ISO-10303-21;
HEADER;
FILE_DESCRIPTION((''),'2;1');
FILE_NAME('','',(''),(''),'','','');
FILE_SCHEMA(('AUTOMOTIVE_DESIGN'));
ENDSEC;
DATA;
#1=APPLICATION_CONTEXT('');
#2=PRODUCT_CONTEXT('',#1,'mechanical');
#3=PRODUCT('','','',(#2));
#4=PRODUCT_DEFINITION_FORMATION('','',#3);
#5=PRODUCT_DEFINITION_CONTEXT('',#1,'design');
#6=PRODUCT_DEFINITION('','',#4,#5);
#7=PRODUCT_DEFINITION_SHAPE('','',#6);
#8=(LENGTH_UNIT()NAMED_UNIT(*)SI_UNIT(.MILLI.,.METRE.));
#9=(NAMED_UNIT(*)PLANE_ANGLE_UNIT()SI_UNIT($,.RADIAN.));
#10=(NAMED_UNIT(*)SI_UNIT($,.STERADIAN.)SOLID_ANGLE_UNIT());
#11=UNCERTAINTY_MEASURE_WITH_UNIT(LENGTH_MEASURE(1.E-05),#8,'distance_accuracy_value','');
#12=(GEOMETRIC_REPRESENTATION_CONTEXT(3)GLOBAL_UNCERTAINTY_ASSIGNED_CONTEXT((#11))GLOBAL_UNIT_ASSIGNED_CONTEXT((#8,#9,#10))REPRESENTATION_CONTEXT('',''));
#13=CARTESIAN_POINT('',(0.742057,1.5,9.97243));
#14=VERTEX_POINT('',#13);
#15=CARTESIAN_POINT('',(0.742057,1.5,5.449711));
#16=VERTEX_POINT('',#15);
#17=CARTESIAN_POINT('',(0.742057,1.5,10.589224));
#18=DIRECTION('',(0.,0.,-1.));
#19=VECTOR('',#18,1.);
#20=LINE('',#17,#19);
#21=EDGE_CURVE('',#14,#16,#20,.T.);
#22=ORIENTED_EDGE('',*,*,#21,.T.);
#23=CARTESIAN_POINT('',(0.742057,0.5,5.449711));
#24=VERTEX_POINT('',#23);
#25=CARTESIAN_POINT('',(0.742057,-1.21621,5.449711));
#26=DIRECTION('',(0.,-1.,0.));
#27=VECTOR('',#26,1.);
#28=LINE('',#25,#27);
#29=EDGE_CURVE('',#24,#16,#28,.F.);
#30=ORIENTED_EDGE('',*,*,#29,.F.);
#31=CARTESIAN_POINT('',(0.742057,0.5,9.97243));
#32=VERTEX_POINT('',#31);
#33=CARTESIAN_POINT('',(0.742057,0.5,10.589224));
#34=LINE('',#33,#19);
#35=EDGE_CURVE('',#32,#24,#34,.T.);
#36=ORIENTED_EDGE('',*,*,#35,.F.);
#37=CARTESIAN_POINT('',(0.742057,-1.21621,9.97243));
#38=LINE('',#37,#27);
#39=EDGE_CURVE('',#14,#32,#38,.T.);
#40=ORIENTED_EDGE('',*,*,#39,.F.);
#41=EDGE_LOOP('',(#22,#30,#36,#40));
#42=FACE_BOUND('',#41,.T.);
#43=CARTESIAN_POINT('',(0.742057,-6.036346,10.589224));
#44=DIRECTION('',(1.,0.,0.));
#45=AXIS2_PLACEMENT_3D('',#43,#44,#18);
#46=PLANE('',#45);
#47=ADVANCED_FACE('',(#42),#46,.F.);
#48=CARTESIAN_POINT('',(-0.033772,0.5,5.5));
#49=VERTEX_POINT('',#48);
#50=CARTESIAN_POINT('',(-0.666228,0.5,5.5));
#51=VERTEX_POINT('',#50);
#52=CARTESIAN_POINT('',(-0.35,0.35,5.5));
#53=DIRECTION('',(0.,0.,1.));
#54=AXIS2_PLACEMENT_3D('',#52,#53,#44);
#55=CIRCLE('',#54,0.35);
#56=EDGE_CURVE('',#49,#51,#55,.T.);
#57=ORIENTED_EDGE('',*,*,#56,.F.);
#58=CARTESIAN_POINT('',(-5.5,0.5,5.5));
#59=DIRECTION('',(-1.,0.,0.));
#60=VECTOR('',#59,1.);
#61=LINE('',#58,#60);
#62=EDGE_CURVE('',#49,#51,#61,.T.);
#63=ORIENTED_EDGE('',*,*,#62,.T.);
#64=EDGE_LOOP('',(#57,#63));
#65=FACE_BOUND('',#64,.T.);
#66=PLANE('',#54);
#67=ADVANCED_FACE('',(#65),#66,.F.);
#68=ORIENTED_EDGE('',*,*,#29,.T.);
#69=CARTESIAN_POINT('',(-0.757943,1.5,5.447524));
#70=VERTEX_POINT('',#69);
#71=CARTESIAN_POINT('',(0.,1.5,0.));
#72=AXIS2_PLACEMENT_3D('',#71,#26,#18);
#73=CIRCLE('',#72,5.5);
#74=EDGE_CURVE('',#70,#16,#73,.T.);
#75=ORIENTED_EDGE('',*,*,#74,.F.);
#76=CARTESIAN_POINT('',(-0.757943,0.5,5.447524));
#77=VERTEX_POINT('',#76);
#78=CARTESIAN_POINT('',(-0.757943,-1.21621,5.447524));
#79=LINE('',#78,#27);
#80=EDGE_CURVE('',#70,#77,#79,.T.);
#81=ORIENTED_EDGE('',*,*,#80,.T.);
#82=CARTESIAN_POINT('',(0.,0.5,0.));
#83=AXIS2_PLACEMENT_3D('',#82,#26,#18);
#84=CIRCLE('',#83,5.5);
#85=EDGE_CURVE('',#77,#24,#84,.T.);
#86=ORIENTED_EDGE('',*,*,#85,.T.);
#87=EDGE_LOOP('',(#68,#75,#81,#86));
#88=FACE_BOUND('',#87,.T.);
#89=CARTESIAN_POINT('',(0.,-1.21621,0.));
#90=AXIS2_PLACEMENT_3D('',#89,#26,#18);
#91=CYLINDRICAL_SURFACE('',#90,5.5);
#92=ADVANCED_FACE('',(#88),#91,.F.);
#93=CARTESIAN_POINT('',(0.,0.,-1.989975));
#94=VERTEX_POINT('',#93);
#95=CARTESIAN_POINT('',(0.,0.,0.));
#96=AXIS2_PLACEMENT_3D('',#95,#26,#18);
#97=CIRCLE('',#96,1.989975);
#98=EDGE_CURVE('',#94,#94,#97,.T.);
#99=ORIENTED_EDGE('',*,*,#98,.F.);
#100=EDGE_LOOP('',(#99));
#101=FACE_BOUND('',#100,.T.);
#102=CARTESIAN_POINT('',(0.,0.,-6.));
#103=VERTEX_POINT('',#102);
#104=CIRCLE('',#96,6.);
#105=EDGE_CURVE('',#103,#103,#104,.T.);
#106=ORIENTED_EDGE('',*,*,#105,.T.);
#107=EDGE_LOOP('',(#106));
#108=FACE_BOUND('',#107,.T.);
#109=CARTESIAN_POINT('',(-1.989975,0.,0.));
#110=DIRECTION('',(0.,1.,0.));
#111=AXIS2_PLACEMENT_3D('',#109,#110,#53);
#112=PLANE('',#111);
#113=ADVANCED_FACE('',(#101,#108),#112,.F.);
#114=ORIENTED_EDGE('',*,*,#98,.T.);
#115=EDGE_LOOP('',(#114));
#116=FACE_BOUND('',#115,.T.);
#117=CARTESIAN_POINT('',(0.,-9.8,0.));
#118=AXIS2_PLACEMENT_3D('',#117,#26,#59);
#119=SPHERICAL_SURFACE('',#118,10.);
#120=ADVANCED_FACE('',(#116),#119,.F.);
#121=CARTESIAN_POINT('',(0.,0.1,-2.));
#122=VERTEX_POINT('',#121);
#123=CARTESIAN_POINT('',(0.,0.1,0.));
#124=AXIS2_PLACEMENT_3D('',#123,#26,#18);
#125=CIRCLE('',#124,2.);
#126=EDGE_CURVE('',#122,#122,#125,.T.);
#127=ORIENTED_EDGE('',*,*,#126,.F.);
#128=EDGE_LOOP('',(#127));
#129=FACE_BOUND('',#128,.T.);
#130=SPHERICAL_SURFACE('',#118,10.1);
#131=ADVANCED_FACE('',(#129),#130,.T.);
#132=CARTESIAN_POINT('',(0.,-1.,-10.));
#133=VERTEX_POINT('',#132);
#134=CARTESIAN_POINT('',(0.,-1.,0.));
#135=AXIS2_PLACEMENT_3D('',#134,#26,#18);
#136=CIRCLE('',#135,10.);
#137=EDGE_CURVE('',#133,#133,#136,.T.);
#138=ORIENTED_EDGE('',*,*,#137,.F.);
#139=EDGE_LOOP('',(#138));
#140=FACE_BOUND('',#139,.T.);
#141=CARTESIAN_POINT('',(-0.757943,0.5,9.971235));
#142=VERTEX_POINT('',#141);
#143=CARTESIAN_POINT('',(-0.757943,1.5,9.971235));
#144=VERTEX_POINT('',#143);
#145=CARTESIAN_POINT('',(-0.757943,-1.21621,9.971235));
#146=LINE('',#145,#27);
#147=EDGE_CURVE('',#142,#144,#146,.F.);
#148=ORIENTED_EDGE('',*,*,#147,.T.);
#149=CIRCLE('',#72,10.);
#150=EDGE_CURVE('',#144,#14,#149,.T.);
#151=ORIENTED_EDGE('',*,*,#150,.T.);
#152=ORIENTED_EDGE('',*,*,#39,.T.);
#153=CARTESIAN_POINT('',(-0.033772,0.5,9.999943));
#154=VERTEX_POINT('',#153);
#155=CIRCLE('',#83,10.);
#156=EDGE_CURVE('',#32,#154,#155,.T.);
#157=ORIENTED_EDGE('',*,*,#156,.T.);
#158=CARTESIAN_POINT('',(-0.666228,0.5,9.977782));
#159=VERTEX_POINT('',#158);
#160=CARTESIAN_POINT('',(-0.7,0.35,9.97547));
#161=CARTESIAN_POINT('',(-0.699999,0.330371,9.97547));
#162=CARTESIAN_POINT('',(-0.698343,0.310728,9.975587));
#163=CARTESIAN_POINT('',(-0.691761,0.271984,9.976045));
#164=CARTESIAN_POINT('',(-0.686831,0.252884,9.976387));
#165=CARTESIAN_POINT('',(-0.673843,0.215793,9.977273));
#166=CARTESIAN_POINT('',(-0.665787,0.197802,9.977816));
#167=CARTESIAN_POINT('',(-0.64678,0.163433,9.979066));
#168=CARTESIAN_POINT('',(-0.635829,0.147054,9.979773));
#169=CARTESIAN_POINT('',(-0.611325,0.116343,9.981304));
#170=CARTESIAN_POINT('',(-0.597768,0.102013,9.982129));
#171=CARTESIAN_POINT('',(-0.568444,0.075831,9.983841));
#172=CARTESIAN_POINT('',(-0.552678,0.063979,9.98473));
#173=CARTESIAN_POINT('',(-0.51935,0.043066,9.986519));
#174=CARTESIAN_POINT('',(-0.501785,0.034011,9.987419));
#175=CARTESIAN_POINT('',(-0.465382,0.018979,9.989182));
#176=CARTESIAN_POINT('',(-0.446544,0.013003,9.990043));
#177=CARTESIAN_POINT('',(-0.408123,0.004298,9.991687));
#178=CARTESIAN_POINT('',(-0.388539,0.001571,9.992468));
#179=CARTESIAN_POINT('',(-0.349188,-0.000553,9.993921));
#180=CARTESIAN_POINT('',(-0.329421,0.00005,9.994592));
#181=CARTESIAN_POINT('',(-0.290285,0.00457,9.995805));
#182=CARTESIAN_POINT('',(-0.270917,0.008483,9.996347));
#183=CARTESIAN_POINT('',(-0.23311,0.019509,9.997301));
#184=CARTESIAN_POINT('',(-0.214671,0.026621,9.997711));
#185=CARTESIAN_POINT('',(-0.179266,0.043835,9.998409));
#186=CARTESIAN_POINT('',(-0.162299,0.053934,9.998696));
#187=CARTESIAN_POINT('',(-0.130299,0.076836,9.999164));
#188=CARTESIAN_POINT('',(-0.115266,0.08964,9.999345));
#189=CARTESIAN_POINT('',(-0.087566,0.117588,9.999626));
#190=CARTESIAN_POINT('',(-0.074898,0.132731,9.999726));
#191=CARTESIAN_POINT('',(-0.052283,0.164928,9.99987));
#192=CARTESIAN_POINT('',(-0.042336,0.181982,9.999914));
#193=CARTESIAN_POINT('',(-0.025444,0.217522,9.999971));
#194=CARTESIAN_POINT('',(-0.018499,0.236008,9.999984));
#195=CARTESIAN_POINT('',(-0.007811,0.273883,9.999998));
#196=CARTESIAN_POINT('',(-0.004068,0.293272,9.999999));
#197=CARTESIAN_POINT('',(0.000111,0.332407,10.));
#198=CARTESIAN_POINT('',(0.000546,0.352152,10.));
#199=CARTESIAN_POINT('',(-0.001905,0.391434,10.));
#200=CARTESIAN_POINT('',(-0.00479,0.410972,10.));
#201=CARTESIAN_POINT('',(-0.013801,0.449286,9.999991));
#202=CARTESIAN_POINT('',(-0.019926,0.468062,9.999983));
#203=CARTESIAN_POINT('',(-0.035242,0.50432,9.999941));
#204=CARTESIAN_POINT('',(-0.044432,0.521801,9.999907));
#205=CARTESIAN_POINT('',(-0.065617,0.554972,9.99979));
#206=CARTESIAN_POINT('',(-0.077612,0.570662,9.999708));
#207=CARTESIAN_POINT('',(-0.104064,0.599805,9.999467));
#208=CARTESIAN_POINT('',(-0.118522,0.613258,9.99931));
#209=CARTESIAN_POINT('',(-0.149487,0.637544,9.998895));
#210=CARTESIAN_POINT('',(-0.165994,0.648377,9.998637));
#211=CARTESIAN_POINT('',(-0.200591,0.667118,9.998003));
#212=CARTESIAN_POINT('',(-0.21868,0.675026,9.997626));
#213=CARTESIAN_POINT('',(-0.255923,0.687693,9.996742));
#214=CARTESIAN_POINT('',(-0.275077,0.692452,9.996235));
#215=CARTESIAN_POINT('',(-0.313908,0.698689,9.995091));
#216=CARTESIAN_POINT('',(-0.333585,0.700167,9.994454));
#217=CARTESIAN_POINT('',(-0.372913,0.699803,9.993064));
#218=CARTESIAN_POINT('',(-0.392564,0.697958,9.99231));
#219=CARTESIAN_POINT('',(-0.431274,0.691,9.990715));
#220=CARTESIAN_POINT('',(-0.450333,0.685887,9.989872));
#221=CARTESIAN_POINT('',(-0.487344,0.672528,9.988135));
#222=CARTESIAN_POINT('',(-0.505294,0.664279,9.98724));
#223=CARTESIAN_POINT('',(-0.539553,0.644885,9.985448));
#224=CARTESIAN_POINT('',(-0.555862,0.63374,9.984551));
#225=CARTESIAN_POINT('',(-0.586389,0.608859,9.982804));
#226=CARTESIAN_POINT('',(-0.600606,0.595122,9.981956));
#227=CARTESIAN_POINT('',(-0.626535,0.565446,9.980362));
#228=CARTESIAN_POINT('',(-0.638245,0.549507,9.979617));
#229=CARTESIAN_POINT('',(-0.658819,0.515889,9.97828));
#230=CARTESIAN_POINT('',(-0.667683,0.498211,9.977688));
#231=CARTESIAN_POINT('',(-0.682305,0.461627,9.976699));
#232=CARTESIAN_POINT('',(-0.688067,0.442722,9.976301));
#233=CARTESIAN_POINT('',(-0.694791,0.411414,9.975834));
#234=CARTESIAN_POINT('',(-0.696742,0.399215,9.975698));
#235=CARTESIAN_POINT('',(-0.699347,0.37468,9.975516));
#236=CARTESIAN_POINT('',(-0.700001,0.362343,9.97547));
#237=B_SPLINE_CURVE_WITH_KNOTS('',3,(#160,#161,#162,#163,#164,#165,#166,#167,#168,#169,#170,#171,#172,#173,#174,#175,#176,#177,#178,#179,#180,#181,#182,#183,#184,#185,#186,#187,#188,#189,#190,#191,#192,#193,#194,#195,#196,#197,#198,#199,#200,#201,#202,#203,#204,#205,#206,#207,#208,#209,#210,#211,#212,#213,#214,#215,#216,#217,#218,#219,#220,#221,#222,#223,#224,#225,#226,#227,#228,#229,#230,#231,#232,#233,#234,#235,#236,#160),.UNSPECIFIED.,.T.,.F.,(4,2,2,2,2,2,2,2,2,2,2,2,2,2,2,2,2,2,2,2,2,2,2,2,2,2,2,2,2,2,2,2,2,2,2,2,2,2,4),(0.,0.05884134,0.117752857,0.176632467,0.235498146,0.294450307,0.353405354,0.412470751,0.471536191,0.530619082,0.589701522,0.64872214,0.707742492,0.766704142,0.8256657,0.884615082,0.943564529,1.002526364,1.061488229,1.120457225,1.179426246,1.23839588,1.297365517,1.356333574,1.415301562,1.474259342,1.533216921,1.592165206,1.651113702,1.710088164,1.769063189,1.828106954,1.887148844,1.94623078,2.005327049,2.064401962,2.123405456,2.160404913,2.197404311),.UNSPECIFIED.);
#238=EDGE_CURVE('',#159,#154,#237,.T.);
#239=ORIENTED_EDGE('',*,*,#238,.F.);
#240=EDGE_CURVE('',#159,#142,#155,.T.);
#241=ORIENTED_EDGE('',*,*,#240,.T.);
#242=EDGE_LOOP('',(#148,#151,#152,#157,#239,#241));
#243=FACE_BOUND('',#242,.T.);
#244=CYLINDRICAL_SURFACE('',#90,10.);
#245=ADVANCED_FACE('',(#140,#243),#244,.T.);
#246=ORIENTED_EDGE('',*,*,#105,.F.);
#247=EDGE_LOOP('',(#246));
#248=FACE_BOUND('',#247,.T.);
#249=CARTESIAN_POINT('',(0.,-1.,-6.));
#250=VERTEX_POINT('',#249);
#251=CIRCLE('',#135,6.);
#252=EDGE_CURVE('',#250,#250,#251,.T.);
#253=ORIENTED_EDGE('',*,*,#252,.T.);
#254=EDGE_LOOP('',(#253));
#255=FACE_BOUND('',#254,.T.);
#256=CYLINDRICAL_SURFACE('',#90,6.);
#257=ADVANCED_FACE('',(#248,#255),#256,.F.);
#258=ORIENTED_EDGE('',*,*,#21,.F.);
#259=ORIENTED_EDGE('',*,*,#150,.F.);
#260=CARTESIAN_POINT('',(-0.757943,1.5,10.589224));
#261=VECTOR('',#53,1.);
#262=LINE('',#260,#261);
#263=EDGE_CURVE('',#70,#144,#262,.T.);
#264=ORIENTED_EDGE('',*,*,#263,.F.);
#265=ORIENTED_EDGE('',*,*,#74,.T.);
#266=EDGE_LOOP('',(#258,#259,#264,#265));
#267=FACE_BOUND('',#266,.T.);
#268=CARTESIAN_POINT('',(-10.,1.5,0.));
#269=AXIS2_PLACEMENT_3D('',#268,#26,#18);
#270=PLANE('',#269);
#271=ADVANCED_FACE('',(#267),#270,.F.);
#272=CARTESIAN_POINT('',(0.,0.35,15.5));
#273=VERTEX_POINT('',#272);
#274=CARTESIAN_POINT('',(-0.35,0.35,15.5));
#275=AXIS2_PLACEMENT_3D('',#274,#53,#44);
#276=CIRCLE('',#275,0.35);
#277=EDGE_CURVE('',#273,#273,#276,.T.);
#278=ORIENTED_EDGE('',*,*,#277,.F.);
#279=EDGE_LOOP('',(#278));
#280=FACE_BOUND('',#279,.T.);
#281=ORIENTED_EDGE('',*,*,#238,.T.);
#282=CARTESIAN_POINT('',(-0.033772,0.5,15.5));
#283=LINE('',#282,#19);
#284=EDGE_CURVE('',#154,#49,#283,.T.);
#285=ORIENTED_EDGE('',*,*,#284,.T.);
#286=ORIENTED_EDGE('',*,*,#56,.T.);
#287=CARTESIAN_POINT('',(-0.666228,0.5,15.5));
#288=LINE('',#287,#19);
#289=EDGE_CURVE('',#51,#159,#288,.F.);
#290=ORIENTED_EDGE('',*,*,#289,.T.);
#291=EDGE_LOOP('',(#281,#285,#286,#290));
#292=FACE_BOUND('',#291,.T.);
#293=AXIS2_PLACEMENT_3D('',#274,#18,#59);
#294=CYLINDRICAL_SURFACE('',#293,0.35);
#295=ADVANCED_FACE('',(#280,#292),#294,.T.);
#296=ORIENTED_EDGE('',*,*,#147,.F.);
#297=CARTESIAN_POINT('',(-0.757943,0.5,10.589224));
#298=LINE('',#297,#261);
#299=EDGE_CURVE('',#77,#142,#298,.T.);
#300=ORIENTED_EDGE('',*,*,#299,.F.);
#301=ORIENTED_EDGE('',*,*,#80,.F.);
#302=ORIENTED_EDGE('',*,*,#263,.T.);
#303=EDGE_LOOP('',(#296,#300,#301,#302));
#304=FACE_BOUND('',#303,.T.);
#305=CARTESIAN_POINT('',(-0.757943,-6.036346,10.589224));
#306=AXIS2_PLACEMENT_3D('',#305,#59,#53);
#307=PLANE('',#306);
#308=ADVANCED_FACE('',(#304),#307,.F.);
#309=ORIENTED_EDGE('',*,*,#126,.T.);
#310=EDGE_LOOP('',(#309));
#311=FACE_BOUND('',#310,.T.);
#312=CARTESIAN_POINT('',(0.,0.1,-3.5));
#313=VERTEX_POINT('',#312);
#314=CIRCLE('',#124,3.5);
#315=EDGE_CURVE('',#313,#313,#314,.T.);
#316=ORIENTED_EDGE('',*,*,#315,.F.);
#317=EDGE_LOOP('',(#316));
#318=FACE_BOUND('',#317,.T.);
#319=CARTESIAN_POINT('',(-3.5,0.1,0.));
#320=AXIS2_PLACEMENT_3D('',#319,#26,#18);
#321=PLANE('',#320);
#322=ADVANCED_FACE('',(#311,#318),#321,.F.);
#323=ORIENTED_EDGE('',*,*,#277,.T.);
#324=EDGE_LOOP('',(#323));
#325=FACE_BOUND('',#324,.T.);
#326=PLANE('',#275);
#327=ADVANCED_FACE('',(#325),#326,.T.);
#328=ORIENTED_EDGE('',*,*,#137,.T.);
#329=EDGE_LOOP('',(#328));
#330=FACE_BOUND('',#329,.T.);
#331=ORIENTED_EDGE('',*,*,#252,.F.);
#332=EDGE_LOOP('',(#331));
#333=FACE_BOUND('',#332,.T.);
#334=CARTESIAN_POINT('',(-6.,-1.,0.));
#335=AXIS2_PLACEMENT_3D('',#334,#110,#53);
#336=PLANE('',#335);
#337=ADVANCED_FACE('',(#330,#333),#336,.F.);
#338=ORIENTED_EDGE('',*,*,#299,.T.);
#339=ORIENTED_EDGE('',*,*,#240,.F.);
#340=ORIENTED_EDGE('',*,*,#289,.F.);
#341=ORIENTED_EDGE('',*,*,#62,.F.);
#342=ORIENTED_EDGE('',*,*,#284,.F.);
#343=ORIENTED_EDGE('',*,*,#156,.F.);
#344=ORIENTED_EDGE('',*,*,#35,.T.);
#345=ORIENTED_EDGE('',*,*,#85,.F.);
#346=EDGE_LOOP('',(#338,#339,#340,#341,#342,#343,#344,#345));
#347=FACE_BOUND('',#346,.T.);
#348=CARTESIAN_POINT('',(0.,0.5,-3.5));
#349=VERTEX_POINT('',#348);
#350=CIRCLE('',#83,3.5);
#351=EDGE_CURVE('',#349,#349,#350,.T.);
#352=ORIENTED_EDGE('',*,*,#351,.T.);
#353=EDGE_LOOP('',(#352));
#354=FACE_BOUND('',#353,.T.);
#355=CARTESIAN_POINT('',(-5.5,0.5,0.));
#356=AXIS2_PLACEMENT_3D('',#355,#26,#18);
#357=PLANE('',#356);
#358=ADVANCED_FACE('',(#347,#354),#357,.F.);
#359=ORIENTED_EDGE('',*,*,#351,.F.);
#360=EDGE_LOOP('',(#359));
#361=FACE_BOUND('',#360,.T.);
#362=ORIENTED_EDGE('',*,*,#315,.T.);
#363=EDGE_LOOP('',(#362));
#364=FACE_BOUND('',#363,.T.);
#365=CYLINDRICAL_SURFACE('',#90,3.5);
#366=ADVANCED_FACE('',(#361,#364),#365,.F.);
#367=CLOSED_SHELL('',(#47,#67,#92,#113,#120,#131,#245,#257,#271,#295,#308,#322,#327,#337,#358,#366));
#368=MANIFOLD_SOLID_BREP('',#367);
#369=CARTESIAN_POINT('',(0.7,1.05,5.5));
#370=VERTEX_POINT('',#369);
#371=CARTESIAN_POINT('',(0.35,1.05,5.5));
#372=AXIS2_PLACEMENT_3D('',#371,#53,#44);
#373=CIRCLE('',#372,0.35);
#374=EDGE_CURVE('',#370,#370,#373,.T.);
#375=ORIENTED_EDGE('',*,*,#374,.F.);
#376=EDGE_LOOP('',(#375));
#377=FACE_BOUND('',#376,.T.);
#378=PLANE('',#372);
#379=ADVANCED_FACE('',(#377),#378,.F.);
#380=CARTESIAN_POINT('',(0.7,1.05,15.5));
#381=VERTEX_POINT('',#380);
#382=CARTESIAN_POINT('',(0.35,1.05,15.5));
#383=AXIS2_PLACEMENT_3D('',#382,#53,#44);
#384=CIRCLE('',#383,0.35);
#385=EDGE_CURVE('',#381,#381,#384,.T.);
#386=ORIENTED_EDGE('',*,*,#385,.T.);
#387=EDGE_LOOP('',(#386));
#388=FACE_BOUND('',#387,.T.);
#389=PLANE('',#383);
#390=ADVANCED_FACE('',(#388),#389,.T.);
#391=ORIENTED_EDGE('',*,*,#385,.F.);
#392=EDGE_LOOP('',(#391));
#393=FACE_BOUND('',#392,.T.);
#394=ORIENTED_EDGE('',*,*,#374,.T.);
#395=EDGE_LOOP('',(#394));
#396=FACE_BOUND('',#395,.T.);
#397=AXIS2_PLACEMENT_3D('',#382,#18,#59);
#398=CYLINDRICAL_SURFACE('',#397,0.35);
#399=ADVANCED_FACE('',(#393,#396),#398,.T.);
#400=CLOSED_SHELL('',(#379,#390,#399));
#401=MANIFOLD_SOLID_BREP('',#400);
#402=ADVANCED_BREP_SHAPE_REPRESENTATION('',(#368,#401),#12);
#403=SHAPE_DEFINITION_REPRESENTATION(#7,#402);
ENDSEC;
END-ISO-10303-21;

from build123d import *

# Parameters (mm, degrees)
SKETCH5_W           = 1.5
SKETCH5_H           = 6.361903522
CUT_EXTRUDE1_DEPTH  = 1
BOSS_EXTRUDE1_START = 5.5
SKETCH3_R           = 0.35
BOSS_EXTRUDE1_DEPTH = 10


with BuildPart() as part:
    # Sketch2 → Revolve1 (revolve)
    with BuildSketch(Plane.XY, mode=Mode.PRIVATE) as revolve1_sk:
        with BuildLine():
            Line((-1.989974874, 0), (-6, 0))
            Line((-6, 0), (-6, -1))
            Line((-6, -1), (-10, -1))
            Line((-10, -1), (-10, 1.5))
            Line((-10, 1.5), (-5.5, 1.5))
            Line((-5.5, 1.5), (-5.5, 0.5))
            Line((-5.5, 0.5), (-3.5, 0.5))
            Line((-3.5, 0.5), (-3.5, 0.1))
            Line((-3.5, 0.1), (-2, 0.1))
            ThreePointArc((-2, 0.1), (-1.004987562, 0.249875621), (0, 0.3))
            Line((0, 0.3), (0, 0.2))
            ThreePointArc((0, 0.2), (-1, 0.149874371), (-1.989974874, 0))
        make_face()
    revolve(revolve1_sk.sketch.rotate(Axis((0, -1.216210025, 0), (0, 1, 0)), 270), axis=Axis((0, -1.216210025, 0), (0, 1, 0)))

    # Sketch5 → Cut-Extrude1 (cut)
    with BuildSketch(Plane(origin=(0, 1.5, 0), x_dir=(1, 0, 0), z_dir=(0, 1, 0))):
        with Locations((-0.007942998, -7.408272411)):
            Rectangle(SKETCH5_W, SKETCH5_H)
    extrude(amount=-CUT_EXTRUDE1_DEPTH, mode=Mode.SUBTRACT)

    # Sketch3 → Boss-Extrude1 (add)
    with BuildSketch(Plane.XY.offset(BOSS_EXTRUDE1_START)):
        with Locations(Location((-0.35, 0.35, 0), (0, 0, 154.623066475))):
            Circle(SKETCH3_R)
        with Locations((0.35, 1.05)):
            Circle(SKETCH3_R)
    extrude(amount=BOSS_EXTRUDE1_DEPTH)


with BuildPart() as boss_extrude1_piece_1:
    # of the separate pieces the step leaves, piece 1, a body of its own (boss_extrude1_pieces)
    add(part.part.solids().sort_by_distance((0, 0.2, 0))[0])


with BuildPart() as boss_extrude1_piece_2:
    # of the separate pieces the step leaves, piece 2, a body of its own (boss_extrude1_pieces)
    add(part.part.solids().sort_by_distance((0.7, 1.05, 5.5))[0])


solid = Compound([boss_extrude1_piece_1.part, boss_extrude1_piece_2.part])
